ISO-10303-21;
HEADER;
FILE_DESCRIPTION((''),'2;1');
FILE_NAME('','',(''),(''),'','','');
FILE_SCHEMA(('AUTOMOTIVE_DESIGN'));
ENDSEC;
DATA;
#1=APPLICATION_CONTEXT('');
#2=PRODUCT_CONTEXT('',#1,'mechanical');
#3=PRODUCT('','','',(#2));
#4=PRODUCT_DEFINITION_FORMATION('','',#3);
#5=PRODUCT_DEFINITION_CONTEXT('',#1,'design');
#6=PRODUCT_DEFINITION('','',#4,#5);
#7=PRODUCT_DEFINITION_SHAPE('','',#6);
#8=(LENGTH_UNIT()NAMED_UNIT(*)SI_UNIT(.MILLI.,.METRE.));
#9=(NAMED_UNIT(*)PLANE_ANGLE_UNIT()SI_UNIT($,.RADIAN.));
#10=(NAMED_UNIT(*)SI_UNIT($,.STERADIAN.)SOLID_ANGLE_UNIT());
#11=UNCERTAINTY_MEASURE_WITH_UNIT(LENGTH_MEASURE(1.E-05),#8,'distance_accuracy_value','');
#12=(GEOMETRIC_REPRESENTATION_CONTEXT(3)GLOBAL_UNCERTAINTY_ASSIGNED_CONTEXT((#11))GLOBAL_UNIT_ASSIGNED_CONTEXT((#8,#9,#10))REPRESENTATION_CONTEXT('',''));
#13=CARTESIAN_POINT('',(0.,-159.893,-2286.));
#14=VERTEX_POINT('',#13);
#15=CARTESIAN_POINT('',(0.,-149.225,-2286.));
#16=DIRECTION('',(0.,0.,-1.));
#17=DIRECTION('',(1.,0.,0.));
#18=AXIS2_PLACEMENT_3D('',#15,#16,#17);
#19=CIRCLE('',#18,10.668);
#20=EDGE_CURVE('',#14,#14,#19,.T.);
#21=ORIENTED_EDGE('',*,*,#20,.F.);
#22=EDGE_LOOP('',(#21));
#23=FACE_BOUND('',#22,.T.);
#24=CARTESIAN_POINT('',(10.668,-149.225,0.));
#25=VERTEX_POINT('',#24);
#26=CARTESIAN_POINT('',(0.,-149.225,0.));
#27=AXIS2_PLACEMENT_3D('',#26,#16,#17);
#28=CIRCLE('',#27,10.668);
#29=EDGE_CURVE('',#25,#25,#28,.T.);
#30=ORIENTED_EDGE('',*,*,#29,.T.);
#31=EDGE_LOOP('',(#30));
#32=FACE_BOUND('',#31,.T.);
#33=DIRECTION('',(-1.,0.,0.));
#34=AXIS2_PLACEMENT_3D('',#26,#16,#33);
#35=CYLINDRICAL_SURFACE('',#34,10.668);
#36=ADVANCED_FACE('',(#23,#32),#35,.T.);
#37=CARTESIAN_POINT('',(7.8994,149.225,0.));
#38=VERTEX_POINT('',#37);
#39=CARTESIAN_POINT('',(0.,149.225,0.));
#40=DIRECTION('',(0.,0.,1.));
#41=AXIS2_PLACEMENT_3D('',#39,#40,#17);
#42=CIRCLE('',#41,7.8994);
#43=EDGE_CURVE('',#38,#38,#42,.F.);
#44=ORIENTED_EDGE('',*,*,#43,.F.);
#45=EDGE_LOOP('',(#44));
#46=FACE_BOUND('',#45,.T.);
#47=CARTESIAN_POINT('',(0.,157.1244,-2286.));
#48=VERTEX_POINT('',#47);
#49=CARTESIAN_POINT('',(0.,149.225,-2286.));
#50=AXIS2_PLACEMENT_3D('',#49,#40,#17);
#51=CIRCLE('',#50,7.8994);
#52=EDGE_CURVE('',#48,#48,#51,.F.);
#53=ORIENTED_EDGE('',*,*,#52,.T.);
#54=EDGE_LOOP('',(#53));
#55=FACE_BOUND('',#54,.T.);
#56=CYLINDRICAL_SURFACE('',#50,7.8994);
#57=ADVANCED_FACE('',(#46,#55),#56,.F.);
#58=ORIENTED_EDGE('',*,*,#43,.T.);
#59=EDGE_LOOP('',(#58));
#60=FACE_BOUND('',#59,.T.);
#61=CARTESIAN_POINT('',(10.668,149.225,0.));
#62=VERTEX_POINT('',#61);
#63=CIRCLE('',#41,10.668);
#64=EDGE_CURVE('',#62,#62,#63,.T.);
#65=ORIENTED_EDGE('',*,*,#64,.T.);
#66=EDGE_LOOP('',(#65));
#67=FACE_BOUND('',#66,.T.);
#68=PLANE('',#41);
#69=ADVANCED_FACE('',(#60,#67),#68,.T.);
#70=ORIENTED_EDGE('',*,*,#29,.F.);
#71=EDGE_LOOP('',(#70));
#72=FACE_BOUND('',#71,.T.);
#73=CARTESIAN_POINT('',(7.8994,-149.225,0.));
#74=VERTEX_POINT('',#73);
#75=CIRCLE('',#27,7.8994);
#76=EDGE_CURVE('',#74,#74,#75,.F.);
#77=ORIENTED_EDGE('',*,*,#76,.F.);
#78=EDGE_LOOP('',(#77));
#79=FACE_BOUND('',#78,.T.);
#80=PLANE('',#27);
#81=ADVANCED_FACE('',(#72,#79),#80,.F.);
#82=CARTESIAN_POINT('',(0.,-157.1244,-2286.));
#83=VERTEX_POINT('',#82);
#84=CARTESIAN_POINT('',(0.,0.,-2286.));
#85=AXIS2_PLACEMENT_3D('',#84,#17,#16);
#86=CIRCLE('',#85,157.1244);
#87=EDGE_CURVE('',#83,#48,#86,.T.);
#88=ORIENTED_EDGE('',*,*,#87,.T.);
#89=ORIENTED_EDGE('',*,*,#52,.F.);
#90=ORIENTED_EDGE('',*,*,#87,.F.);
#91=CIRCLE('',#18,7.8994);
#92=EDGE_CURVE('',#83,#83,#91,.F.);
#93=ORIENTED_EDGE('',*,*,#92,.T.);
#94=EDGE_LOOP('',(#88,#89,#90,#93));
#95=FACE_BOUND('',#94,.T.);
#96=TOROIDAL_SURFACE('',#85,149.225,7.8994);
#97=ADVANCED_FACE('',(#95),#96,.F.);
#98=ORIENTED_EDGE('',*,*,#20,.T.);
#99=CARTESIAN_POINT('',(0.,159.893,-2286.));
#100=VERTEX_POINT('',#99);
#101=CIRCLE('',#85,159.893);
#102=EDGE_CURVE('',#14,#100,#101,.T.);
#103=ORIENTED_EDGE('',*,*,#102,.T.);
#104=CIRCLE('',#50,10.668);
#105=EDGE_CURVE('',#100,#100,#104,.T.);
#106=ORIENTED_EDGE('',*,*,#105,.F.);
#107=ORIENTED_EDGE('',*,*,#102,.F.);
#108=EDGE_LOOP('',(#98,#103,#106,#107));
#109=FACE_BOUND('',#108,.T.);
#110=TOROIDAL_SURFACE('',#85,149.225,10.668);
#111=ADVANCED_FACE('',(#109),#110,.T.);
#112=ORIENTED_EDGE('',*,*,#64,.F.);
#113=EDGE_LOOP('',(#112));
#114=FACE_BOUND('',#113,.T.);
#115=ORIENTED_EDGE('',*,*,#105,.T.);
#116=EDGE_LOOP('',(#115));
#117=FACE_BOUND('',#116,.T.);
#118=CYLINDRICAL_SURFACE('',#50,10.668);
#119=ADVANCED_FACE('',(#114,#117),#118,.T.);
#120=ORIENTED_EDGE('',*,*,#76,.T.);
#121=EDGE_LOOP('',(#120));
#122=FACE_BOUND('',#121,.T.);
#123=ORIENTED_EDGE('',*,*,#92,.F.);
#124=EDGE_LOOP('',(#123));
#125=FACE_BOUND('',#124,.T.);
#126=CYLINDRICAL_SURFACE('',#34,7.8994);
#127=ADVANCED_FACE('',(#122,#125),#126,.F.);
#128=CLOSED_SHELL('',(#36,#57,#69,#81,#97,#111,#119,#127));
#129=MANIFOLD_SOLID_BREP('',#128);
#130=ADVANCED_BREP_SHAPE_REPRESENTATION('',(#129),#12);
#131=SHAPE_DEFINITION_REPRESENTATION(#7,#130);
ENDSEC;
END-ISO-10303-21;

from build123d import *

# Parameters (mm, degrees)
SKETCH2_R   = 10.668
SKETCH2_R_2 = 7.8994


with BuildPart() as part:
    # Sweep1: sweep along a path in Sketch1
    with BuildLine(Plane(origin=(0, 0, 0), x_dir=(0, 0, -1), z_dir=(1, 0, 0))) as sweep1_path:
        Line((0, 149.225), (2286, 149.225))
        ThreePointArc((2286, 149.225), (2435.225, 0), (2286, -149.225))
        Line((2286, -149.225), (0, -149.225))
    # Sketch2 → Sweep1 (sweep)
    with BuildSketch(Plane.XY):
        with Locations((0, 149.225)):
            Circle(SKETCH2_R)
        with Locations((0, 149.225)):
            Circle(SKETCH2_R_2, mode=Mode.SUBTRACT)
    sweep(path=sweep1_path.line)


solid = part.part
